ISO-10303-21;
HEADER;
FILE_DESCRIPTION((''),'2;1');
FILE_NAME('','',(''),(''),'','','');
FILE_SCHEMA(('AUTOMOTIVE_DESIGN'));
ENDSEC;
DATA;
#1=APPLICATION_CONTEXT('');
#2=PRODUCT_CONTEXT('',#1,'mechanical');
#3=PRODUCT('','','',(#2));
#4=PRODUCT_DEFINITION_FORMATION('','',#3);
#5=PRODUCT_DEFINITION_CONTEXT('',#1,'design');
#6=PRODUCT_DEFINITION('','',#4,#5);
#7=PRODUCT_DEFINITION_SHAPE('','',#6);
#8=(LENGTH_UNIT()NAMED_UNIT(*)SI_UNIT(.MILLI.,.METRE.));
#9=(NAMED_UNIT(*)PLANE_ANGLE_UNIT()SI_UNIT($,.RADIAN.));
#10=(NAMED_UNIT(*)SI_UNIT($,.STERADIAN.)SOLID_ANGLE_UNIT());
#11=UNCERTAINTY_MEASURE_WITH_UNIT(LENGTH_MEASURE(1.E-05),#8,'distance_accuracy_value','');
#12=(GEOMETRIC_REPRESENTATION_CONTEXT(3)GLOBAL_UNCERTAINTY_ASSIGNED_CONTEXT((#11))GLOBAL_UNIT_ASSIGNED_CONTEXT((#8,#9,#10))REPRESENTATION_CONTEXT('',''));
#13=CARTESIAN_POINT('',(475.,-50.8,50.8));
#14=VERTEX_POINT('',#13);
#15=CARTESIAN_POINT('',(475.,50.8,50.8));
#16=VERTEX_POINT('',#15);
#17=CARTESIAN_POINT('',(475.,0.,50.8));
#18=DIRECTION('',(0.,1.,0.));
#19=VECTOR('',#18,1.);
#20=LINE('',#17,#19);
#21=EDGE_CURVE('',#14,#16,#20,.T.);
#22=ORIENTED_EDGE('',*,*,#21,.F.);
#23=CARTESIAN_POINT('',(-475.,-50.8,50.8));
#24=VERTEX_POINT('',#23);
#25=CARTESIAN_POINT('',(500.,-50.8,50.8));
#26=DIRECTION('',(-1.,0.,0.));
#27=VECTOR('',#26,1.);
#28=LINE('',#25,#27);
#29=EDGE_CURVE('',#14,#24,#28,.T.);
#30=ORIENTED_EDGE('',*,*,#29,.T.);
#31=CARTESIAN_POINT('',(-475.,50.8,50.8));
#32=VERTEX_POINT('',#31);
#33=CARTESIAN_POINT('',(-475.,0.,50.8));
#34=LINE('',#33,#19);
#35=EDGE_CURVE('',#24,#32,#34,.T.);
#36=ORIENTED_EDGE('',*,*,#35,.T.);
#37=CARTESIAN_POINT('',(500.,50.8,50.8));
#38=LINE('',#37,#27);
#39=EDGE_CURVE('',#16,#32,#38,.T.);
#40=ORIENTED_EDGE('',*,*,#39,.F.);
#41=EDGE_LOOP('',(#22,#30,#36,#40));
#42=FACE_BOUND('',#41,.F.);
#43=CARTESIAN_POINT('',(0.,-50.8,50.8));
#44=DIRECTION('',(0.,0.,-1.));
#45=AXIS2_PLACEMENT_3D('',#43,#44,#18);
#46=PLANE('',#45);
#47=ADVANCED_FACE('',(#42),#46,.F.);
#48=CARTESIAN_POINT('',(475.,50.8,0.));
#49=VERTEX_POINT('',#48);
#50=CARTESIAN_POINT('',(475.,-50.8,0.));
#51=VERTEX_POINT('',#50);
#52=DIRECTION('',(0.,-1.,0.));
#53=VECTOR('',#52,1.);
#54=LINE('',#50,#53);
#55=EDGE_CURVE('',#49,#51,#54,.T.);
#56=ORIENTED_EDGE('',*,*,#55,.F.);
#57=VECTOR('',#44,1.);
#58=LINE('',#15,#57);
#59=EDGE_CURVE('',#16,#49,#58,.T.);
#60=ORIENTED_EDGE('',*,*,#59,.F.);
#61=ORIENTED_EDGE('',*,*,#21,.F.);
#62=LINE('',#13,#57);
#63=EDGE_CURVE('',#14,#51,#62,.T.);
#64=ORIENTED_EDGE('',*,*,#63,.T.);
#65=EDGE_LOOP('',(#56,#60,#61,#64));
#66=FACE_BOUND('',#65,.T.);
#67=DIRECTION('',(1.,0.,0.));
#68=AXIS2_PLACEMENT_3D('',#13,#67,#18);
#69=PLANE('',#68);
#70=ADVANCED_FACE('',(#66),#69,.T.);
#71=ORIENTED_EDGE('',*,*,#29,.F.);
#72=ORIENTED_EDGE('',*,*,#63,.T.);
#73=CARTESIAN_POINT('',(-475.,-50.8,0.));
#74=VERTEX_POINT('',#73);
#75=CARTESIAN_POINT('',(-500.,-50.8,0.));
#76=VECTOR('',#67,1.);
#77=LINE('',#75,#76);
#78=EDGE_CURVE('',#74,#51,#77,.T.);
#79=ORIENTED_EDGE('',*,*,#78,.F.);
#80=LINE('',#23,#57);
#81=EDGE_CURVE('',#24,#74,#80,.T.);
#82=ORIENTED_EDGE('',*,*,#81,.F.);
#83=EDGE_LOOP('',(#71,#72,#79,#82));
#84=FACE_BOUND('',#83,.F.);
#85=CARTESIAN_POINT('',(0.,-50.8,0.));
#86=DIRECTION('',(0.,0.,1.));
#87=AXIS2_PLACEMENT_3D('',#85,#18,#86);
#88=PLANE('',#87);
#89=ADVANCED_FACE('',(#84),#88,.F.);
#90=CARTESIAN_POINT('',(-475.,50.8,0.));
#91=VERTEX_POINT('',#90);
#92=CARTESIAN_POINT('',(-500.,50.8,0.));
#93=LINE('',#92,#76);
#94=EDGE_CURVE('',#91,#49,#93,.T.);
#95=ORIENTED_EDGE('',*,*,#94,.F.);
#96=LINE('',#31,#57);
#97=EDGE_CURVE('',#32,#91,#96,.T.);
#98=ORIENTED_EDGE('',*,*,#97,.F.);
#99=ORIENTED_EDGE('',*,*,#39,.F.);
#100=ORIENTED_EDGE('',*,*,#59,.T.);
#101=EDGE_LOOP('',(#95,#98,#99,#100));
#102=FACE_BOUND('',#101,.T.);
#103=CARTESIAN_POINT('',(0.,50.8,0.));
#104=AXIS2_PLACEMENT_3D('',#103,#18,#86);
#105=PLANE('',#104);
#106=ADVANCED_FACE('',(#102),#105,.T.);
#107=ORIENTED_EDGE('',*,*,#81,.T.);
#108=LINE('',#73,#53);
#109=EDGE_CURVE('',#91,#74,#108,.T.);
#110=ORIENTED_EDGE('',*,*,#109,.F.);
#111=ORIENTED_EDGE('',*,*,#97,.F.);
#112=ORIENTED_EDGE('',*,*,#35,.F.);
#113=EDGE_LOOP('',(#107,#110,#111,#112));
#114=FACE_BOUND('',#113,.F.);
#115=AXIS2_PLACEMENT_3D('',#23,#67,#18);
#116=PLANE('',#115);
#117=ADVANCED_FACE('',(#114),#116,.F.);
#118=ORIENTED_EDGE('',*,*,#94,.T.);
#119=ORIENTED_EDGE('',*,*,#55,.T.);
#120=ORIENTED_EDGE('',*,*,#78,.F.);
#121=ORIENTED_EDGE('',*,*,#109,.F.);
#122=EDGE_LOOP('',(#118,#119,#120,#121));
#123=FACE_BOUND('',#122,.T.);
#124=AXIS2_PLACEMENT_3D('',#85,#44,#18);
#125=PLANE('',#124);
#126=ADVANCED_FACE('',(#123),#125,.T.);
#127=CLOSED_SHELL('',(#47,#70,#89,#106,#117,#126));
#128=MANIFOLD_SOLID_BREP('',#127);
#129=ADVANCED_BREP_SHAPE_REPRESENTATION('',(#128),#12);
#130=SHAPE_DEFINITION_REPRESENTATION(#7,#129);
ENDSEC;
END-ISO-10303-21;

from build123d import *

# Parameters (mm, degrees)
F0_W     = 101.6
F0_H     = 50.8
F1_DEPTH = 500
F2_W     = 25
F2_H     = 101.6
F3_DEPTH = 66.05326


with BuildPart() as f1:
    # F0 (on Right) → F1 (new body, symmetric)
    with BuildSketch(Plane.YZ):
        with Locations((0, 25.4)):
            Rectangle(F0_W, F0_H)
    extrude(amount=F1_DEPTH, both=True)

    # F2 (on face) → F3 (cut)
    with BuildSketch(Plane.XY.offset(50.8)):
        with Locations((-487.5, 0)):
            Rectangle(F2_W, F2_H)
        with Locations((487.5, 0)):
            Rectangle(F2_W, F2_H)
    extrude(amount=-F3_DEPTH, mode=Mode.SUBTRACT)


solid = f1.part
